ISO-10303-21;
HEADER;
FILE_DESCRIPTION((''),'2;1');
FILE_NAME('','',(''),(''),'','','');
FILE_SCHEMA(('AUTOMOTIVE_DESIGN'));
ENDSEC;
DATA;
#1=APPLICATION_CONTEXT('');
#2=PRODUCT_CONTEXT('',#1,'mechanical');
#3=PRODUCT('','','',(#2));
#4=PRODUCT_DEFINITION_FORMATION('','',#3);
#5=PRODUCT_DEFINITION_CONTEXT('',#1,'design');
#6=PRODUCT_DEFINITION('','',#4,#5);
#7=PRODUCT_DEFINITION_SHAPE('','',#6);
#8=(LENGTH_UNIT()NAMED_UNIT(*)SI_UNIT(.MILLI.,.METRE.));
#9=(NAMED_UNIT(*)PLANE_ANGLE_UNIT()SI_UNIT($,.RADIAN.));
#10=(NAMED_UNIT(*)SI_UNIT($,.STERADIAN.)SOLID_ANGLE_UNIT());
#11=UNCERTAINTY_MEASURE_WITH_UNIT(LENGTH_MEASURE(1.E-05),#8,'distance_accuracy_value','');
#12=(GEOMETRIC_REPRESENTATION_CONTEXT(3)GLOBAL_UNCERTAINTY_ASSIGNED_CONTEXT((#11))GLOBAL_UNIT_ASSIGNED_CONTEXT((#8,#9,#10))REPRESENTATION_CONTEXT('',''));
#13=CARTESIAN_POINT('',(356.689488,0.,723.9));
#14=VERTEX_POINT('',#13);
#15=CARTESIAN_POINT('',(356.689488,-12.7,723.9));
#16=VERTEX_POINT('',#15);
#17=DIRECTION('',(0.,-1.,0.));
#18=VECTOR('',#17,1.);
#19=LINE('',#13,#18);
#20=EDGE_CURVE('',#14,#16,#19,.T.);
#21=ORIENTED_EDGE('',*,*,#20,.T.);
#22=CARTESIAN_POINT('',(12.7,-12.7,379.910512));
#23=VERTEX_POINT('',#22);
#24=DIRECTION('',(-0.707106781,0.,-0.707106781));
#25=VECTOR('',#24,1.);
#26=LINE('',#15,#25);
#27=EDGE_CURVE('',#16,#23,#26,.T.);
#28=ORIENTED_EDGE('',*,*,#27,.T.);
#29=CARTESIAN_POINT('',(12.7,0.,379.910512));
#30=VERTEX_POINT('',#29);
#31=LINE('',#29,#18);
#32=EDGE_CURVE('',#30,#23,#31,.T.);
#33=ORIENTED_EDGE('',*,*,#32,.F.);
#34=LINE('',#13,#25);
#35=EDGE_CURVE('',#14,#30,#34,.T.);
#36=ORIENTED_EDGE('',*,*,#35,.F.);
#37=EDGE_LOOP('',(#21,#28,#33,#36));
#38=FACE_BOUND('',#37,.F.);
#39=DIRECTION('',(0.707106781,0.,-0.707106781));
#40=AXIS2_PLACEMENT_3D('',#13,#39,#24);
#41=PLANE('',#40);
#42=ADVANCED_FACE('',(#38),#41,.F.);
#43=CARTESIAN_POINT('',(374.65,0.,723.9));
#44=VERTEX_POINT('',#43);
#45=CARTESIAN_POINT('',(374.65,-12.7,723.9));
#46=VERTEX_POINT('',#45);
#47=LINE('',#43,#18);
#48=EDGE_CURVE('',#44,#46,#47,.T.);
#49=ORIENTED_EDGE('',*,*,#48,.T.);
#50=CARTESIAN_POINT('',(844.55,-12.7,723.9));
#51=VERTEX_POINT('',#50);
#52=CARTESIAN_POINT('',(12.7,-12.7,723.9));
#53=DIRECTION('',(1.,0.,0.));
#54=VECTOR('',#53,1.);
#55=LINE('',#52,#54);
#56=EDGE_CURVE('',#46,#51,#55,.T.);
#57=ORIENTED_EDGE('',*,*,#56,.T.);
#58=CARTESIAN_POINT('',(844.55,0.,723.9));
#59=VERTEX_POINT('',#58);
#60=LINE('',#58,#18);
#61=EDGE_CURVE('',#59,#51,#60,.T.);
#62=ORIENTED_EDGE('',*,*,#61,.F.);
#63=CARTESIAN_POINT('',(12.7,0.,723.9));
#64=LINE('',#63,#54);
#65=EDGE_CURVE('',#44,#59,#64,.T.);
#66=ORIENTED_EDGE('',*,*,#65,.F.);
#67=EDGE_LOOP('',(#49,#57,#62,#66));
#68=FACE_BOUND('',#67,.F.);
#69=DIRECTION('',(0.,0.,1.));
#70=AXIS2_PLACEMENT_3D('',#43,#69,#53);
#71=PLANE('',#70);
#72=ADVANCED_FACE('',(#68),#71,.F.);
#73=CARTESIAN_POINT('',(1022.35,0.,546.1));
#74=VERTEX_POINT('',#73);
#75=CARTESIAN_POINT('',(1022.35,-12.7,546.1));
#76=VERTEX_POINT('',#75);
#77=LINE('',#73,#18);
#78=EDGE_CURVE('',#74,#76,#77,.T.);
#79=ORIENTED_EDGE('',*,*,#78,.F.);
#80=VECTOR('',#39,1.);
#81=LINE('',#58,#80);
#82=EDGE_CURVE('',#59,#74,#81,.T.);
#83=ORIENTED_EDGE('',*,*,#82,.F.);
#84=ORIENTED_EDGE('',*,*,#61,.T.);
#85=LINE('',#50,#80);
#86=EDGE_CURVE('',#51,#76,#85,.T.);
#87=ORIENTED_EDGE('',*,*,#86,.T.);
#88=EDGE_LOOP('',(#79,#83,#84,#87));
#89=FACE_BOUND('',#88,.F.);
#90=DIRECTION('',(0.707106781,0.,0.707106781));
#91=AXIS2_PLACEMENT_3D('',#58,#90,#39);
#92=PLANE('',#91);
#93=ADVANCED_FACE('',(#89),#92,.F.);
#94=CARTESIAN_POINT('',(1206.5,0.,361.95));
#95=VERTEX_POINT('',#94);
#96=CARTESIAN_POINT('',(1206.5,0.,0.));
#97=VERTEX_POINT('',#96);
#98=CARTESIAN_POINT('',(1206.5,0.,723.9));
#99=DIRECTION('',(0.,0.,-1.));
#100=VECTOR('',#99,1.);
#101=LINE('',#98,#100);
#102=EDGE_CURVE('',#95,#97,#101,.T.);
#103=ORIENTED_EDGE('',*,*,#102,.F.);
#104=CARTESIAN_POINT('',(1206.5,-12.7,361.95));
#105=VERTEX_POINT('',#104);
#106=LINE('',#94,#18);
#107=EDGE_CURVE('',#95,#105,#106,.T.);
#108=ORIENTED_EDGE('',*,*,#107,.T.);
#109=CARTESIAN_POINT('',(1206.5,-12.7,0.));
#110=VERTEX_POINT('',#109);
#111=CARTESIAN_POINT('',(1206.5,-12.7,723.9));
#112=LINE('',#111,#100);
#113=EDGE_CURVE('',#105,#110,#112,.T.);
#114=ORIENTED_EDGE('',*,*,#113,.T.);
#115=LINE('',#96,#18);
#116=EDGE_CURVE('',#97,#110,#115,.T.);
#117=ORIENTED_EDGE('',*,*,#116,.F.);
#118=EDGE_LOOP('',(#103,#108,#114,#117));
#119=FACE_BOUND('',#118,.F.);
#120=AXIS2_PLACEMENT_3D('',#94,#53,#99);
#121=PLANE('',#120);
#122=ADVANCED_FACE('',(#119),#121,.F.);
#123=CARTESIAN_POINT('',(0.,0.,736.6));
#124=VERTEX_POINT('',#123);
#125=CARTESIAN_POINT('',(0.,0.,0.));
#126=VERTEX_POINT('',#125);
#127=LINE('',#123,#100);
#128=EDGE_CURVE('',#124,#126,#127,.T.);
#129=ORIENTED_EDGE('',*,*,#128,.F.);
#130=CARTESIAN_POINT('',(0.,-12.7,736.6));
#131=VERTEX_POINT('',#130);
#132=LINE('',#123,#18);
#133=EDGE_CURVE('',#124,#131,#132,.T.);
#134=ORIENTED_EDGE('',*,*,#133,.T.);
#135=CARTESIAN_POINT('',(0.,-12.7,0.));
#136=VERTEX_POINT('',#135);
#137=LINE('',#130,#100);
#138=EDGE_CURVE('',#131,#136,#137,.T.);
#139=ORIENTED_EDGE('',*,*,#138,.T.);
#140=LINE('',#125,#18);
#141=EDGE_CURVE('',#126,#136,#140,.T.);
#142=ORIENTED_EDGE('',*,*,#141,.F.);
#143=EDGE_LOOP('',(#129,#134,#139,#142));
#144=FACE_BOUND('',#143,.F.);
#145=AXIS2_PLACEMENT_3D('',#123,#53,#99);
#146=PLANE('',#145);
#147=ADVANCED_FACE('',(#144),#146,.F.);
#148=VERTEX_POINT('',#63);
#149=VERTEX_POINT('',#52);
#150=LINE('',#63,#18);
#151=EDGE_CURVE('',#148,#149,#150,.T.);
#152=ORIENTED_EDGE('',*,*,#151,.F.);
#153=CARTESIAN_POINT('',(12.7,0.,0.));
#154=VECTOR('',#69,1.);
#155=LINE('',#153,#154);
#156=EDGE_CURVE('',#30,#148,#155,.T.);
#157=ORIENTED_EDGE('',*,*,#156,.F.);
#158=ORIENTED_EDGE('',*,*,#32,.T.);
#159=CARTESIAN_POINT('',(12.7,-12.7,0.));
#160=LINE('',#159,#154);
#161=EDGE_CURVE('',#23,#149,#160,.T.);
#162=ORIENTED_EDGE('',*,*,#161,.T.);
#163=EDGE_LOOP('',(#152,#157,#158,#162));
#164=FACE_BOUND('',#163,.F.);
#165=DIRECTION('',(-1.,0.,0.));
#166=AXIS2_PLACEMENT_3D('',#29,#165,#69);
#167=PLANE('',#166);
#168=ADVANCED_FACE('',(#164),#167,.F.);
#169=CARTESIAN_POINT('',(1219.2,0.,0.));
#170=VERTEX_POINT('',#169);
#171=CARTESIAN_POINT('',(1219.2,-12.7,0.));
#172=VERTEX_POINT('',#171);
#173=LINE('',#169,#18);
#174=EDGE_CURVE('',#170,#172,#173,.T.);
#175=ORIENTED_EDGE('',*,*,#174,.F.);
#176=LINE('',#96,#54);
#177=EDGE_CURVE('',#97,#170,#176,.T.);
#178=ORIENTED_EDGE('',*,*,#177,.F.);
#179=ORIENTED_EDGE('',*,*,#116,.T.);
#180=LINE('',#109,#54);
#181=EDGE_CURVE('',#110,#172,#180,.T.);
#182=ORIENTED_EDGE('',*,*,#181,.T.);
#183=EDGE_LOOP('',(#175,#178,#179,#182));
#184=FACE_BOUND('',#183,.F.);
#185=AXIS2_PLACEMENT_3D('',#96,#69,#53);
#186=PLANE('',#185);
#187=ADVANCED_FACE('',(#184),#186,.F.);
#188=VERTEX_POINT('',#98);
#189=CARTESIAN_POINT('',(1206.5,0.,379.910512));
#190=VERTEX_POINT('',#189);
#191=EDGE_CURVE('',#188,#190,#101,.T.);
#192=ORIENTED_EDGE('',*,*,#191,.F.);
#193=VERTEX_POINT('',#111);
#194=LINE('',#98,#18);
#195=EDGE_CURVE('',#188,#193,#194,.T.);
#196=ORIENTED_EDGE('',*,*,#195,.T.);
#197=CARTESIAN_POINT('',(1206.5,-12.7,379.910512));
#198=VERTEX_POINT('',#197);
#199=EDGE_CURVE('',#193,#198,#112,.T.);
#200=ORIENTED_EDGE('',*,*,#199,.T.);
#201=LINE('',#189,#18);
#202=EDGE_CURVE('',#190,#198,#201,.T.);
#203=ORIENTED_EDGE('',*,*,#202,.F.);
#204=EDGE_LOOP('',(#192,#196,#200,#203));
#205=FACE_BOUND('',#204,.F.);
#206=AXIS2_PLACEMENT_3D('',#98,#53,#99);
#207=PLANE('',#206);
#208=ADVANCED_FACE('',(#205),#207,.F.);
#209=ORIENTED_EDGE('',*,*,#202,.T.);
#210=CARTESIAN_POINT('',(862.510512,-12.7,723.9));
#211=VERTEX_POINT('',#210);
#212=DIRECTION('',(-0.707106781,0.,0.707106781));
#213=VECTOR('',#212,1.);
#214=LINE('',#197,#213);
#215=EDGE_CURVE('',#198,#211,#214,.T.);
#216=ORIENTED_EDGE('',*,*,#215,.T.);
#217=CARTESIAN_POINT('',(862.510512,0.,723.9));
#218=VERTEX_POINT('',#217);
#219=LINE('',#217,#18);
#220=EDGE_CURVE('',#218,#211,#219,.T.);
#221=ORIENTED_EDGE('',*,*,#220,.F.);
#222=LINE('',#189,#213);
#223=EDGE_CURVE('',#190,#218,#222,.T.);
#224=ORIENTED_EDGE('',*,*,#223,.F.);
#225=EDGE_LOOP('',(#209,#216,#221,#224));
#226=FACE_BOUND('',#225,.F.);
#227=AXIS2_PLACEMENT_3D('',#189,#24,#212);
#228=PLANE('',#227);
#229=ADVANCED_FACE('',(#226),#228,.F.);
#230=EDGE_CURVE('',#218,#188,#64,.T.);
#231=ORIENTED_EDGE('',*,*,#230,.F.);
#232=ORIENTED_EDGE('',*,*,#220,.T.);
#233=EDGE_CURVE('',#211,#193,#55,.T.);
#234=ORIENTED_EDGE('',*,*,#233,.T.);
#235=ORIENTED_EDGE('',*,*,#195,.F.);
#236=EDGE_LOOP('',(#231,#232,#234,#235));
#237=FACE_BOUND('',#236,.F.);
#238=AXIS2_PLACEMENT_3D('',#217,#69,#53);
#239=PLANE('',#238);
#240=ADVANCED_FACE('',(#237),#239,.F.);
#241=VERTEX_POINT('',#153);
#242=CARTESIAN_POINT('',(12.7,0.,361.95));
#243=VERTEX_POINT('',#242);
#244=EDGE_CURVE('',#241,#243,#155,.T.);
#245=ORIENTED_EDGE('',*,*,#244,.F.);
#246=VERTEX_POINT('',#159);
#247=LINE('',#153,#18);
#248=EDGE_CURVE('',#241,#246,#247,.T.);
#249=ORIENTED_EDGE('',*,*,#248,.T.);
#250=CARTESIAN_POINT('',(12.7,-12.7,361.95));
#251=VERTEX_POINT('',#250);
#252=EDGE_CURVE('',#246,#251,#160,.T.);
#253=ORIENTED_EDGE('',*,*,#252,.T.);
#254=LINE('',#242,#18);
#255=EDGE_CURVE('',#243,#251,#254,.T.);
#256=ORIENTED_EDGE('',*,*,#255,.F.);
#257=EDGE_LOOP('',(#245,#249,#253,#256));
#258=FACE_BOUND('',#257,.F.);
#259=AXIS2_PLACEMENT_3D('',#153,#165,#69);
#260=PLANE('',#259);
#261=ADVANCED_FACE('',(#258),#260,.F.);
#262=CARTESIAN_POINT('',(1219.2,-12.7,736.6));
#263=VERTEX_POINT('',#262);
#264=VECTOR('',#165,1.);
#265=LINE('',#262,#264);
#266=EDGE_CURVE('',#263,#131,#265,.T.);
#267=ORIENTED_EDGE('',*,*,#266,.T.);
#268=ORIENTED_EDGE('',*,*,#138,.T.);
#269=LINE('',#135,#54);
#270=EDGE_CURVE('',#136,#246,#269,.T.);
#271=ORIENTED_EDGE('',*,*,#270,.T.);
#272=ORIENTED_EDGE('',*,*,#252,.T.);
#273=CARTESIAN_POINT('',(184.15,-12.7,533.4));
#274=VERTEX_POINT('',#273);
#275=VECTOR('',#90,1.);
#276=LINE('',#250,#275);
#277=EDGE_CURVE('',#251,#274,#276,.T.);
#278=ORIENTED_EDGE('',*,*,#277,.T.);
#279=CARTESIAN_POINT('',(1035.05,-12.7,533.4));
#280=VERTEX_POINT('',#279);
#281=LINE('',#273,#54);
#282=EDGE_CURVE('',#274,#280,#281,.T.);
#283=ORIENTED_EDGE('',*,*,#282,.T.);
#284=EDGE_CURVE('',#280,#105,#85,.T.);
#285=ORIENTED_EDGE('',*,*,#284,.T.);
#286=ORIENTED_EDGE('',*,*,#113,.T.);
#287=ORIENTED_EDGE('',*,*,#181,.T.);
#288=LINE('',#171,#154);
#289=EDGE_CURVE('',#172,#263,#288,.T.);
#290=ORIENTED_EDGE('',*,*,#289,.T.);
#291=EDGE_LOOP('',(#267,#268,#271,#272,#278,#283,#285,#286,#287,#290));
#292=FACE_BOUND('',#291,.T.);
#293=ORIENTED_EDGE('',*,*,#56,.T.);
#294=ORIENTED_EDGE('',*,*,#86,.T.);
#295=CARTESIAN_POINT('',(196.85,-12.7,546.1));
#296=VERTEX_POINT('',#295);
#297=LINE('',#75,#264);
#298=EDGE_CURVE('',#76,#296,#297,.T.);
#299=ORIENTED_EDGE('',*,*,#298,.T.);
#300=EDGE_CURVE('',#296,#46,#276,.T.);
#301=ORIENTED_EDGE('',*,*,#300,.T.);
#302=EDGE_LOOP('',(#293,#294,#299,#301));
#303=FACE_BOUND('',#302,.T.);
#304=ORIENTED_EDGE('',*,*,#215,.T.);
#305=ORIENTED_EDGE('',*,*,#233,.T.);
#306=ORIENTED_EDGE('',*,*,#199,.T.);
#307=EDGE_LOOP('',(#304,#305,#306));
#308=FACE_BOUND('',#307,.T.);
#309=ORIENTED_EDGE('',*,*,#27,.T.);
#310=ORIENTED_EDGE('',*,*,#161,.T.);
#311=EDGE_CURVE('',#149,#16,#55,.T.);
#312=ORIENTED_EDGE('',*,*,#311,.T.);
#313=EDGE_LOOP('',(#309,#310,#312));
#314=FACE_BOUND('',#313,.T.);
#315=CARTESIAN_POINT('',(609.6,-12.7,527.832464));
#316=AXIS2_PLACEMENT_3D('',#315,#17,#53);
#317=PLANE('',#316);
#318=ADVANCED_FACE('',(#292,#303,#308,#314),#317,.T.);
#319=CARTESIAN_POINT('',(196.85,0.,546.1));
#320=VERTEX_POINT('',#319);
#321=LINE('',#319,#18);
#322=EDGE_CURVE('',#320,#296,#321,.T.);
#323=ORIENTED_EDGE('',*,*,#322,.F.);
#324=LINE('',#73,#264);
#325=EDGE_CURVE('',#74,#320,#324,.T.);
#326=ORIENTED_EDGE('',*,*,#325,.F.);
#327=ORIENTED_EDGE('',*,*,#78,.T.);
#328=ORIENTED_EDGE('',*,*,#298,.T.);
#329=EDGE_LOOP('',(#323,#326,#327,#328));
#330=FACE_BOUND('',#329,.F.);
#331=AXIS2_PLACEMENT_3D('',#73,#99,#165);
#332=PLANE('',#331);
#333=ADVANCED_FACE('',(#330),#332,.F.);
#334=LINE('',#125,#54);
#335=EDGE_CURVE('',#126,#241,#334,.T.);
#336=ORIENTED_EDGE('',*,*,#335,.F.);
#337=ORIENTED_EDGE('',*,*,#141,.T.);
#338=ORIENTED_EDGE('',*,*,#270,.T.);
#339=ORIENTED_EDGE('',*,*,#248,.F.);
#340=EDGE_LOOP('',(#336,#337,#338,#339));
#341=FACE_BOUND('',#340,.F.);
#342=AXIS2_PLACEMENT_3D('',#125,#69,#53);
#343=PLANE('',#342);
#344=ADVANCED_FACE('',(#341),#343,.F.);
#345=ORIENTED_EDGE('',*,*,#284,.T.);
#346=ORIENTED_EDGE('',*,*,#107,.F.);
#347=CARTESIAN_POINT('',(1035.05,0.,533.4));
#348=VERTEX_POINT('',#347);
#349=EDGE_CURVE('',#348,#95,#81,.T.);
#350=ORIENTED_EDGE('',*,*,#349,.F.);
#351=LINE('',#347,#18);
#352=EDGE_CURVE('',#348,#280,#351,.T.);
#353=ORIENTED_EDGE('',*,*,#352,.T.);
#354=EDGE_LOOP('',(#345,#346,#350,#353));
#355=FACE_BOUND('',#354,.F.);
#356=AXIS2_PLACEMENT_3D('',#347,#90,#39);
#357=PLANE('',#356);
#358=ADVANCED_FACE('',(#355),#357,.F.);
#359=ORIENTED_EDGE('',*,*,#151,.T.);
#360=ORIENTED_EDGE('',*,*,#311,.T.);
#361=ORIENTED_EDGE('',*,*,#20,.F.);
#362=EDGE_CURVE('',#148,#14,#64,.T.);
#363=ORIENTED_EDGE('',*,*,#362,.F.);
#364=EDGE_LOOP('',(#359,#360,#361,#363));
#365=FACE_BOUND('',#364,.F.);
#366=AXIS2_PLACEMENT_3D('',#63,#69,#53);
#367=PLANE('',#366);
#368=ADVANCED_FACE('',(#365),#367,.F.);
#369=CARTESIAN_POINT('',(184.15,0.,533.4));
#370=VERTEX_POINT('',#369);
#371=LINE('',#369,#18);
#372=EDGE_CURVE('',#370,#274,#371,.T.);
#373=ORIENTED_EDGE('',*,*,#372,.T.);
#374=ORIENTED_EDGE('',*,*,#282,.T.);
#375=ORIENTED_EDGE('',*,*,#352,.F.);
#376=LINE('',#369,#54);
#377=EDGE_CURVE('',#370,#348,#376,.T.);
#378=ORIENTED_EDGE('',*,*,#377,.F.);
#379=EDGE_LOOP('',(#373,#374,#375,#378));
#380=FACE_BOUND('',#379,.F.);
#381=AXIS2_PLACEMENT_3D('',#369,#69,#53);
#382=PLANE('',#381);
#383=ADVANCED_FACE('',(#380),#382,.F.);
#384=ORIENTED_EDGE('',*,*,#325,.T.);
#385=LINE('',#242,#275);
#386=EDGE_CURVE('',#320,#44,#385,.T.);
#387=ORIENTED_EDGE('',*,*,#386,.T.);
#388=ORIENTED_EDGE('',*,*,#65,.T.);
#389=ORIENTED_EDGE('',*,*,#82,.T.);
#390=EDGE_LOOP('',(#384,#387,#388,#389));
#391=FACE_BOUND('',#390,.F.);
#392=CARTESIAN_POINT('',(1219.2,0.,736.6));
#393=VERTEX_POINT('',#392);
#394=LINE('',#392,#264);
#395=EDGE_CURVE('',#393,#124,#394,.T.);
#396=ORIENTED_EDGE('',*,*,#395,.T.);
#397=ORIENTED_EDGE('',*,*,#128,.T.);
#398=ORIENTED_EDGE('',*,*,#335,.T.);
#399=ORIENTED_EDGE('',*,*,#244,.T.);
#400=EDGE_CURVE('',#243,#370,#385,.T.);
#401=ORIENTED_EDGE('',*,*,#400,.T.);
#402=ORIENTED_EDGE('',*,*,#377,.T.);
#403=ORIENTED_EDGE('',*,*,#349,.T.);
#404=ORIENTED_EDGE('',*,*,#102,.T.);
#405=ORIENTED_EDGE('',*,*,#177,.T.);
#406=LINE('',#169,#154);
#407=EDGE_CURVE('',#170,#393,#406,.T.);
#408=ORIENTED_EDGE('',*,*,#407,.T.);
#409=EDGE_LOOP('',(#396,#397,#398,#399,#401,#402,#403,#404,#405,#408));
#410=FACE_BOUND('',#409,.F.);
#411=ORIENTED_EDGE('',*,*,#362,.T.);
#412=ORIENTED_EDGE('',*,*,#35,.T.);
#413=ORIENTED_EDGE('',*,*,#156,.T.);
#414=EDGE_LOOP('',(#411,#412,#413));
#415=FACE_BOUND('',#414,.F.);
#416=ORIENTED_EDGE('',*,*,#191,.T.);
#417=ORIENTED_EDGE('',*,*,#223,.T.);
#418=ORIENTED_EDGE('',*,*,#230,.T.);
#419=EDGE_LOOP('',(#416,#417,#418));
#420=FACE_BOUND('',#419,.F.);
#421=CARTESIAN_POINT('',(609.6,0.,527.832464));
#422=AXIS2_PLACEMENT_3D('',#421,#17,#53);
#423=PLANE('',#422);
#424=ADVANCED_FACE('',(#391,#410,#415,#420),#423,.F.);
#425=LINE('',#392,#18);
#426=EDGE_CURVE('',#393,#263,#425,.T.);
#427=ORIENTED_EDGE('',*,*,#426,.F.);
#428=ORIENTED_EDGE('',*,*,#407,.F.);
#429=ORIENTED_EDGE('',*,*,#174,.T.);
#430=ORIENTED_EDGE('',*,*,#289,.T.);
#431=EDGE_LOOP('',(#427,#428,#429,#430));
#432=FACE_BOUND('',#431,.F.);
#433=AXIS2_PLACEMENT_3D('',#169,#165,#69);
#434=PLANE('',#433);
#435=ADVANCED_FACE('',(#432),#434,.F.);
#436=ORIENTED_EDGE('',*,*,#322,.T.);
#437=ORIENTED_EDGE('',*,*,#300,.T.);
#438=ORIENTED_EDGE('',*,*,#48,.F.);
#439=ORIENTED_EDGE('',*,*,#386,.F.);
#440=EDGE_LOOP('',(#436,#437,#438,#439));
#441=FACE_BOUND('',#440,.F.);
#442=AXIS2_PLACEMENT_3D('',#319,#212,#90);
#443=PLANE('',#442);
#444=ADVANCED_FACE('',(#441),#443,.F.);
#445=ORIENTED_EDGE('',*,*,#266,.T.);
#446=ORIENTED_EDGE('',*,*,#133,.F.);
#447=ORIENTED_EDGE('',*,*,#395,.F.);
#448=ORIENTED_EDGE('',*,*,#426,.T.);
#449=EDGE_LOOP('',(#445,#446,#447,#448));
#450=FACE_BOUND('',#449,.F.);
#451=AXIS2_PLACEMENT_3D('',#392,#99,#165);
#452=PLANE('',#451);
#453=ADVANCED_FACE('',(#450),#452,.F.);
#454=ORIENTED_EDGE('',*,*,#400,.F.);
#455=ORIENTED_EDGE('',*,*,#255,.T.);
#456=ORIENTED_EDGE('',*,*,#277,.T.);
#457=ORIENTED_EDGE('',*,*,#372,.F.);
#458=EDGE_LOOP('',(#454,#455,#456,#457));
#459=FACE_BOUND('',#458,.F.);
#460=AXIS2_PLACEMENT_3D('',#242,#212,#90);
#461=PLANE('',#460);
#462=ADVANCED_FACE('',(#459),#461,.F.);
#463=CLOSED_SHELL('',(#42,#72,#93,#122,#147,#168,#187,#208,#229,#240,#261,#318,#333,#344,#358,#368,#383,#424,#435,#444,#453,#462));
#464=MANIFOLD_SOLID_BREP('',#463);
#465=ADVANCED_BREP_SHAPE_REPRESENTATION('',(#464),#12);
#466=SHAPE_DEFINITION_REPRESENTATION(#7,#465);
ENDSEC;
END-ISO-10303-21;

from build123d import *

# Parameters (mm, degrees)
F1_DEPTH = 12.7


with BuildPart() as f1:
    # F0 (on Front) → F1 (new body)
    with BuildSketch(Plane.XZ):
        Polygon((0, 736.6), (0, 0), (12.7, 0), (12.7, 361.95), (12.7, 379.910512), (12.7, 723.9), (356.689488, 723.9), (374.65, 723.9), (844.55, 723.9), (862.510512, 723.9), (1206.5, 723.9), (1206.5, 379.910512), (1206.5, 361.95), (1206.5, 0), (1219.2, 0), (1219.2, 736.6), align=None)
        Polygon((12.7, 379.910512), (12.7, 361.95), (184.15, 533.4), (196.85, 546.1), (374.65, 723.9), (356.689488, 723.9), align=None)
        Polygon((1022.35, 546.1), (1035.05, 533.4), (1206.5, 361.95), (1206.5, 379.910512), (862.510512, 723.9), (844.55, 723.9), align=None)
        Polygon((196.85, 546.1), (184.15, 533.4), (1035.05, 533.4), (1022.35, 546.1), (501.671788, 546.1), align=None)
    extrude(amount=F1_DEPTH)


solid = f1.part
